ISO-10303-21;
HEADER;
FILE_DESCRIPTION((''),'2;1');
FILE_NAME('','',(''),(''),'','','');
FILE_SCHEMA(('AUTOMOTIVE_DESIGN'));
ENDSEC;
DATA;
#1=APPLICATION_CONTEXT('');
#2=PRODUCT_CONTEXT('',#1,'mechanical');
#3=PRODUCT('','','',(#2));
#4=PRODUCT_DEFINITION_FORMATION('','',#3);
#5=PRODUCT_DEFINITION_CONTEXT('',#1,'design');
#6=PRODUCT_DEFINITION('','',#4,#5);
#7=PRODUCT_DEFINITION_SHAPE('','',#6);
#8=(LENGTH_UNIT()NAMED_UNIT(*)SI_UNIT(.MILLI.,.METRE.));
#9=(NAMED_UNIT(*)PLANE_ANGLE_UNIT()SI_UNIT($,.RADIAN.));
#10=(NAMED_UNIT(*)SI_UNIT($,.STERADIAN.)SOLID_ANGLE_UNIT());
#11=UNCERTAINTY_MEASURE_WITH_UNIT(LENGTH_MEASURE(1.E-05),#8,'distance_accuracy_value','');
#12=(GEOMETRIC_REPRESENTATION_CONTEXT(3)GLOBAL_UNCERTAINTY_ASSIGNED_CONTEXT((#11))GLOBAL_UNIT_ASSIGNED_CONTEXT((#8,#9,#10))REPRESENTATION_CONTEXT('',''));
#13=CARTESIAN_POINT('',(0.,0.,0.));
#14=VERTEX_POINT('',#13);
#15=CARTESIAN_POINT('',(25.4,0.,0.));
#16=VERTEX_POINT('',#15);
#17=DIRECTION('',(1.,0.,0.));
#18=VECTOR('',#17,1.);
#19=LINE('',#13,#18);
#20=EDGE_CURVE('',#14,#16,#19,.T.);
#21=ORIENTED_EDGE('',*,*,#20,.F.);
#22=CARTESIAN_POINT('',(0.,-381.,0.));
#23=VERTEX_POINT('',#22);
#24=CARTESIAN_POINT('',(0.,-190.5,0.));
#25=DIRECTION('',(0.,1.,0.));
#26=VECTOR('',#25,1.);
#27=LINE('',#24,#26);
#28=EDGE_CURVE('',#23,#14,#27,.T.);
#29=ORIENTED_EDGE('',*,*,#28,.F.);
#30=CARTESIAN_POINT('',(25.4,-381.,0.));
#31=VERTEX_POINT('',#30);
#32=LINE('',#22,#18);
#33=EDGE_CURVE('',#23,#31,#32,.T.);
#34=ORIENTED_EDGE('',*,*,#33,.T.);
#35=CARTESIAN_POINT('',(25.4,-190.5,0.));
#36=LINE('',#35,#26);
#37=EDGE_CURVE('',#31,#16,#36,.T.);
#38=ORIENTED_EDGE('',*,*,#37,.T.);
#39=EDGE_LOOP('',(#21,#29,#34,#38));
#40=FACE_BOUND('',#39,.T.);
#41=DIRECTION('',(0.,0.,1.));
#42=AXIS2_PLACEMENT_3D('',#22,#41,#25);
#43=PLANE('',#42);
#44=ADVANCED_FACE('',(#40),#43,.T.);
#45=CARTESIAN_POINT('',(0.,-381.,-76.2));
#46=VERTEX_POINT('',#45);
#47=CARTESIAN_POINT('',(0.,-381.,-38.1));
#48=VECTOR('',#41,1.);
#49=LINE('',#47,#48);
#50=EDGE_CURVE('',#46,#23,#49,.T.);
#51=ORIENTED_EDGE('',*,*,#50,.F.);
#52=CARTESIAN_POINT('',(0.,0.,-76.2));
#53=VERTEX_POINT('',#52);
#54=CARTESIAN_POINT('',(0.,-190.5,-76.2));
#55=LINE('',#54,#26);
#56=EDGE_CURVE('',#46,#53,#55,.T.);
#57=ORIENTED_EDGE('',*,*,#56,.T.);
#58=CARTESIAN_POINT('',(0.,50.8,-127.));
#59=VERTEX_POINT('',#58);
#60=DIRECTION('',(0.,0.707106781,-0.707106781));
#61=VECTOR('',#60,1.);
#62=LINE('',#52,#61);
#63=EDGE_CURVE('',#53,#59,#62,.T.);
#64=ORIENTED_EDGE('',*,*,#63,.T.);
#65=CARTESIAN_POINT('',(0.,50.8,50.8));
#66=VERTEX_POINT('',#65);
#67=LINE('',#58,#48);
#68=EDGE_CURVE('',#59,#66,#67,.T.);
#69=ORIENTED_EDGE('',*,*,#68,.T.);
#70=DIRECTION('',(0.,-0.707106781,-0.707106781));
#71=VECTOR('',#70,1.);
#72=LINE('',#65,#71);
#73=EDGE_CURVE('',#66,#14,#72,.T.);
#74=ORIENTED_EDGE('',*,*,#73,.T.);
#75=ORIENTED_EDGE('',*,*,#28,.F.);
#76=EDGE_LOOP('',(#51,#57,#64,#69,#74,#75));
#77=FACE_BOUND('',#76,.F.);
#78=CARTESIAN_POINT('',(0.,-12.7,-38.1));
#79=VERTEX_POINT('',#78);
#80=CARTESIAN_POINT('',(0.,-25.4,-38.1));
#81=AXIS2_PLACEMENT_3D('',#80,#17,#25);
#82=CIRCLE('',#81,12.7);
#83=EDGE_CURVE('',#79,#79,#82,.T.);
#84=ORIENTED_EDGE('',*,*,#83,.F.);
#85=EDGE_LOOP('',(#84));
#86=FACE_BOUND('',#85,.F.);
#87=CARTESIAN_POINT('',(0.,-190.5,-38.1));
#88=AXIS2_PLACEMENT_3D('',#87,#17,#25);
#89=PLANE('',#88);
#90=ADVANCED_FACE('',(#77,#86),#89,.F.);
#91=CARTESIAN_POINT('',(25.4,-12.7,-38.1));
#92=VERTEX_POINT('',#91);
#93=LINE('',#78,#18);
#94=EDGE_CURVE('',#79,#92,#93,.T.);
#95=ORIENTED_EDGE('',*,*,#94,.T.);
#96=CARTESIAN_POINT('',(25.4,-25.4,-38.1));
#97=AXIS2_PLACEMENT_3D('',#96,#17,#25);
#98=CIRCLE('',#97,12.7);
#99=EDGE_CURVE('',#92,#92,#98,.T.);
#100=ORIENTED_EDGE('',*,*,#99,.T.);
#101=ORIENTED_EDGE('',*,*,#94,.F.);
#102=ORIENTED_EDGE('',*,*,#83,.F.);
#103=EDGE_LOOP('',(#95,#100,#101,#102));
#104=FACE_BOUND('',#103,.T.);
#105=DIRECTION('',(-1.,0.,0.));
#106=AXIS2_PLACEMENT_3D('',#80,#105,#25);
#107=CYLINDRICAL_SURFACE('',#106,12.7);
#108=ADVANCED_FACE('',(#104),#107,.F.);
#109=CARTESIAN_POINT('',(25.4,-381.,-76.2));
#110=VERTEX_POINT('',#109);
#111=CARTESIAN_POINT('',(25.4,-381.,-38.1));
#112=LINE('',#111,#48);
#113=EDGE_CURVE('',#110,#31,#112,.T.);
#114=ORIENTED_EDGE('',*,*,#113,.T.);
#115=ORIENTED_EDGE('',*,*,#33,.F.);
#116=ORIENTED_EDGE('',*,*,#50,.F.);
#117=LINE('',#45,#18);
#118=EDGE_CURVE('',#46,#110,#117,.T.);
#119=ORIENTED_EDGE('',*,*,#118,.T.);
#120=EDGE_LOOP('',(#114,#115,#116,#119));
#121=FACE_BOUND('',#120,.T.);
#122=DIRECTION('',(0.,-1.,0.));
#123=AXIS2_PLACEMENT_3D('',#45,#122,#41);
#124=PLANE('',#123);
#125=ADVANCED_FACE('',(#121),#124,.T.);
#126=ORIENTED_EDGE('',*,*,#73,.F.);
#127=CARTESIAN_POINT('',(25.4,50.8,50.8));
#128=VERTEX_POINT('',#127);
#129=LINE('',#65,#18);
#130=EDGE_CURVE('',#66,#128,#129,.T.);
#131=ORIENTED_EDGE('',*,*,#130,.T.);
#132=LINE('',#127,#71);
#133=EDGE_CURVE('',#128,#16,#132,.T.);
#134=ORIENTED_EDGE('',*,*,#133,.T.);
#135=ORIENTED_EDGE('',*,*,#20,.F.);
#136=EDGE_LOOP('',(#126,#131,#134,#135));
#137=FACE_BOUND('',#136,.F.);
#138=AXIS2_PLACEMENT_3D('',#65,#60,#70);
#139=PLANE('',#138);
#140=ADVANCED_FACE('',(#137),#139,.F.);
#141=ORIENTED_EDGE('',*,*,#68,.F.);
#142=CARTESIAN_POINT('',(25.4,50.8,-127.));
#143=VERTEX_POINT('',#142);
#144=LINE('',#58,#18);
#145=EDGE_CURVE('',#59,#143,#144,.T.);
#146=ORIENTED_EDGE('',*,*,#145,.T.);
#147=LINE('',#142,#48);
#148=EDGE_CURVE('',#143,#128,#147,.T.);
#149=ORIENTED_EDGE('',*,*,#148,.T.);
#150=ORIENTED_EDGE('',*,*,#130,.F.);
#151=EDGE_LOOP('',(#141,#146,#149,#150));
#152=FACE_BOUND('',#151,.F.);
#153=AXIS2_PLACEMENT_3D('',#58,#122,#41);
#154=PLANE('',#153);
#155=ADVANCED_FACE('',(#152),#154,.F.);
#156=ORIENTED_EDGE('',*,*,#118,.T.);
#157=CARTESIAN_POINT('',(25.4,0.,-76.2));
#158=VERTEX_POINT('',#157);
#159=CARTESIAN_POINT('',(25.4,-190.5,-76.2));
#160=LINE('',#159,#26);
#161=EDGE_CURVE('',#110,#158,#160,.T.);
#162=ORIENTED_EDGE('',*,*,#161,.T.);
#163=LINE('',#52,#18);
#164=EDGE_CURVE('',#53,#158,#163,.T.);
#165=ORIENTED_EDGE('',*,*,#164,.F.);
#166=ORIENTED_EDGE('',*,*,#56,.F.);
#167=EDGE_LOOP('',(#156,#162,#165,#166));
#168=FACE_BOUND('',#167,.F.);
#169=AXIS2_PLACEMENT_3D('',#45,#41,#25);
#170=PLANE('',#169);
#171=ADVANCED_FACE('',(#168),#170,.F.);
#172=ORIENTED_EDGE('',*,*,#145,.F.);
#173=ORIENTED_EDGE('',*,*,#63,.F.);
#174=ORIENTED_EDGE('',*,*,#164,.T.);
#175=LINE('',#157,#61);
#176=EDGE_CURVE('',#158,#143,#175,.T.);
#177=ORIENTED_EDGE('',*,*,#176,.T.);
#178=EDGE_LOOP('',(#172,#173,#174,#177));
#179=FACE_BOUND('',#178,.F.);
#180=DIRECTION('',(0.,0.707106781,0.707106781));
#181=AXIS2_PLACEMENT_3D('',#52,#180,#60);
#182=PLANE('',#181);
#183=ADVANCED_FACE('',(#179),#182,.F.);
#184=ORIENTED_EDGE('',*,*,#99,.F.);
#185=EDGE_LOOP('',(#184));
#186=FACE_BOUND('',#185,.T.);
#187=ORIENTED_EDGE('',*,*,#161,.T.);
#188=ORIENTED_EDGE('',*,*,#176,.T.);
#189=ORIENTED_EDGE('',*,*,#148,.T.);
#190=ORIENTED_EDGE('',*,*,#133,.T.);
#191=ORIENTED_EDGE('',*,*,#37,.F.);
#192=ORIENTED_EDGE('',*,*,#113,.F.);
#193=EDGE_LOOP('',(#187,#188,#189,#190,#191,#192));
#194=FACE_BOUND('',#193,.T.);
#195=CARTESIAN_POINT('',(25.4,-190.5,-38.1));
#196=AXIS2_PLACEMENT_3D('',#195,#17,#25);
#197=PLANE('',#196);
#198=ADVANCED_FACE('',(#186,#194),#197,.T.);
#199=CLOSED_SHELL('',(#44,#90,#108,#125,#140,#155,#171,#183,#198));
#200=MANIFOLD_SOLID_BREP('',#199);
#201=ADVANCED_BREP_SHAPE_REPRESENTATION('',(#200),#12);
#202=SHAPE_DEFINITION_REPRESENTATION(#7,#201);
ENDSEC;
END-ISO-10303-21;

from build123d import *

# Parameters (mm, degrees)
F0_W     = 381
F0_H     = 76.2
F0_R     = 12.7
F1_DEPTH = 25.4


with BuildPart() as f1:
    # F0 (on Right) → F1 (new body)
    with BuildSketch(Plane.YZ):
        with Locations((-190.5, -38.1)):
            Rectangle(F0_W, F0_H)
        with Locations((-25.4, -38.1)):
            Circle(F0_R, mode=Mode.SUBTRACT)
        Polygon((50.8, 50.8), (0, 0), (0, -76.2), (50.8, -127), align=None)
    extrude(amount=F1_DEPTH)


solid = f1.part
